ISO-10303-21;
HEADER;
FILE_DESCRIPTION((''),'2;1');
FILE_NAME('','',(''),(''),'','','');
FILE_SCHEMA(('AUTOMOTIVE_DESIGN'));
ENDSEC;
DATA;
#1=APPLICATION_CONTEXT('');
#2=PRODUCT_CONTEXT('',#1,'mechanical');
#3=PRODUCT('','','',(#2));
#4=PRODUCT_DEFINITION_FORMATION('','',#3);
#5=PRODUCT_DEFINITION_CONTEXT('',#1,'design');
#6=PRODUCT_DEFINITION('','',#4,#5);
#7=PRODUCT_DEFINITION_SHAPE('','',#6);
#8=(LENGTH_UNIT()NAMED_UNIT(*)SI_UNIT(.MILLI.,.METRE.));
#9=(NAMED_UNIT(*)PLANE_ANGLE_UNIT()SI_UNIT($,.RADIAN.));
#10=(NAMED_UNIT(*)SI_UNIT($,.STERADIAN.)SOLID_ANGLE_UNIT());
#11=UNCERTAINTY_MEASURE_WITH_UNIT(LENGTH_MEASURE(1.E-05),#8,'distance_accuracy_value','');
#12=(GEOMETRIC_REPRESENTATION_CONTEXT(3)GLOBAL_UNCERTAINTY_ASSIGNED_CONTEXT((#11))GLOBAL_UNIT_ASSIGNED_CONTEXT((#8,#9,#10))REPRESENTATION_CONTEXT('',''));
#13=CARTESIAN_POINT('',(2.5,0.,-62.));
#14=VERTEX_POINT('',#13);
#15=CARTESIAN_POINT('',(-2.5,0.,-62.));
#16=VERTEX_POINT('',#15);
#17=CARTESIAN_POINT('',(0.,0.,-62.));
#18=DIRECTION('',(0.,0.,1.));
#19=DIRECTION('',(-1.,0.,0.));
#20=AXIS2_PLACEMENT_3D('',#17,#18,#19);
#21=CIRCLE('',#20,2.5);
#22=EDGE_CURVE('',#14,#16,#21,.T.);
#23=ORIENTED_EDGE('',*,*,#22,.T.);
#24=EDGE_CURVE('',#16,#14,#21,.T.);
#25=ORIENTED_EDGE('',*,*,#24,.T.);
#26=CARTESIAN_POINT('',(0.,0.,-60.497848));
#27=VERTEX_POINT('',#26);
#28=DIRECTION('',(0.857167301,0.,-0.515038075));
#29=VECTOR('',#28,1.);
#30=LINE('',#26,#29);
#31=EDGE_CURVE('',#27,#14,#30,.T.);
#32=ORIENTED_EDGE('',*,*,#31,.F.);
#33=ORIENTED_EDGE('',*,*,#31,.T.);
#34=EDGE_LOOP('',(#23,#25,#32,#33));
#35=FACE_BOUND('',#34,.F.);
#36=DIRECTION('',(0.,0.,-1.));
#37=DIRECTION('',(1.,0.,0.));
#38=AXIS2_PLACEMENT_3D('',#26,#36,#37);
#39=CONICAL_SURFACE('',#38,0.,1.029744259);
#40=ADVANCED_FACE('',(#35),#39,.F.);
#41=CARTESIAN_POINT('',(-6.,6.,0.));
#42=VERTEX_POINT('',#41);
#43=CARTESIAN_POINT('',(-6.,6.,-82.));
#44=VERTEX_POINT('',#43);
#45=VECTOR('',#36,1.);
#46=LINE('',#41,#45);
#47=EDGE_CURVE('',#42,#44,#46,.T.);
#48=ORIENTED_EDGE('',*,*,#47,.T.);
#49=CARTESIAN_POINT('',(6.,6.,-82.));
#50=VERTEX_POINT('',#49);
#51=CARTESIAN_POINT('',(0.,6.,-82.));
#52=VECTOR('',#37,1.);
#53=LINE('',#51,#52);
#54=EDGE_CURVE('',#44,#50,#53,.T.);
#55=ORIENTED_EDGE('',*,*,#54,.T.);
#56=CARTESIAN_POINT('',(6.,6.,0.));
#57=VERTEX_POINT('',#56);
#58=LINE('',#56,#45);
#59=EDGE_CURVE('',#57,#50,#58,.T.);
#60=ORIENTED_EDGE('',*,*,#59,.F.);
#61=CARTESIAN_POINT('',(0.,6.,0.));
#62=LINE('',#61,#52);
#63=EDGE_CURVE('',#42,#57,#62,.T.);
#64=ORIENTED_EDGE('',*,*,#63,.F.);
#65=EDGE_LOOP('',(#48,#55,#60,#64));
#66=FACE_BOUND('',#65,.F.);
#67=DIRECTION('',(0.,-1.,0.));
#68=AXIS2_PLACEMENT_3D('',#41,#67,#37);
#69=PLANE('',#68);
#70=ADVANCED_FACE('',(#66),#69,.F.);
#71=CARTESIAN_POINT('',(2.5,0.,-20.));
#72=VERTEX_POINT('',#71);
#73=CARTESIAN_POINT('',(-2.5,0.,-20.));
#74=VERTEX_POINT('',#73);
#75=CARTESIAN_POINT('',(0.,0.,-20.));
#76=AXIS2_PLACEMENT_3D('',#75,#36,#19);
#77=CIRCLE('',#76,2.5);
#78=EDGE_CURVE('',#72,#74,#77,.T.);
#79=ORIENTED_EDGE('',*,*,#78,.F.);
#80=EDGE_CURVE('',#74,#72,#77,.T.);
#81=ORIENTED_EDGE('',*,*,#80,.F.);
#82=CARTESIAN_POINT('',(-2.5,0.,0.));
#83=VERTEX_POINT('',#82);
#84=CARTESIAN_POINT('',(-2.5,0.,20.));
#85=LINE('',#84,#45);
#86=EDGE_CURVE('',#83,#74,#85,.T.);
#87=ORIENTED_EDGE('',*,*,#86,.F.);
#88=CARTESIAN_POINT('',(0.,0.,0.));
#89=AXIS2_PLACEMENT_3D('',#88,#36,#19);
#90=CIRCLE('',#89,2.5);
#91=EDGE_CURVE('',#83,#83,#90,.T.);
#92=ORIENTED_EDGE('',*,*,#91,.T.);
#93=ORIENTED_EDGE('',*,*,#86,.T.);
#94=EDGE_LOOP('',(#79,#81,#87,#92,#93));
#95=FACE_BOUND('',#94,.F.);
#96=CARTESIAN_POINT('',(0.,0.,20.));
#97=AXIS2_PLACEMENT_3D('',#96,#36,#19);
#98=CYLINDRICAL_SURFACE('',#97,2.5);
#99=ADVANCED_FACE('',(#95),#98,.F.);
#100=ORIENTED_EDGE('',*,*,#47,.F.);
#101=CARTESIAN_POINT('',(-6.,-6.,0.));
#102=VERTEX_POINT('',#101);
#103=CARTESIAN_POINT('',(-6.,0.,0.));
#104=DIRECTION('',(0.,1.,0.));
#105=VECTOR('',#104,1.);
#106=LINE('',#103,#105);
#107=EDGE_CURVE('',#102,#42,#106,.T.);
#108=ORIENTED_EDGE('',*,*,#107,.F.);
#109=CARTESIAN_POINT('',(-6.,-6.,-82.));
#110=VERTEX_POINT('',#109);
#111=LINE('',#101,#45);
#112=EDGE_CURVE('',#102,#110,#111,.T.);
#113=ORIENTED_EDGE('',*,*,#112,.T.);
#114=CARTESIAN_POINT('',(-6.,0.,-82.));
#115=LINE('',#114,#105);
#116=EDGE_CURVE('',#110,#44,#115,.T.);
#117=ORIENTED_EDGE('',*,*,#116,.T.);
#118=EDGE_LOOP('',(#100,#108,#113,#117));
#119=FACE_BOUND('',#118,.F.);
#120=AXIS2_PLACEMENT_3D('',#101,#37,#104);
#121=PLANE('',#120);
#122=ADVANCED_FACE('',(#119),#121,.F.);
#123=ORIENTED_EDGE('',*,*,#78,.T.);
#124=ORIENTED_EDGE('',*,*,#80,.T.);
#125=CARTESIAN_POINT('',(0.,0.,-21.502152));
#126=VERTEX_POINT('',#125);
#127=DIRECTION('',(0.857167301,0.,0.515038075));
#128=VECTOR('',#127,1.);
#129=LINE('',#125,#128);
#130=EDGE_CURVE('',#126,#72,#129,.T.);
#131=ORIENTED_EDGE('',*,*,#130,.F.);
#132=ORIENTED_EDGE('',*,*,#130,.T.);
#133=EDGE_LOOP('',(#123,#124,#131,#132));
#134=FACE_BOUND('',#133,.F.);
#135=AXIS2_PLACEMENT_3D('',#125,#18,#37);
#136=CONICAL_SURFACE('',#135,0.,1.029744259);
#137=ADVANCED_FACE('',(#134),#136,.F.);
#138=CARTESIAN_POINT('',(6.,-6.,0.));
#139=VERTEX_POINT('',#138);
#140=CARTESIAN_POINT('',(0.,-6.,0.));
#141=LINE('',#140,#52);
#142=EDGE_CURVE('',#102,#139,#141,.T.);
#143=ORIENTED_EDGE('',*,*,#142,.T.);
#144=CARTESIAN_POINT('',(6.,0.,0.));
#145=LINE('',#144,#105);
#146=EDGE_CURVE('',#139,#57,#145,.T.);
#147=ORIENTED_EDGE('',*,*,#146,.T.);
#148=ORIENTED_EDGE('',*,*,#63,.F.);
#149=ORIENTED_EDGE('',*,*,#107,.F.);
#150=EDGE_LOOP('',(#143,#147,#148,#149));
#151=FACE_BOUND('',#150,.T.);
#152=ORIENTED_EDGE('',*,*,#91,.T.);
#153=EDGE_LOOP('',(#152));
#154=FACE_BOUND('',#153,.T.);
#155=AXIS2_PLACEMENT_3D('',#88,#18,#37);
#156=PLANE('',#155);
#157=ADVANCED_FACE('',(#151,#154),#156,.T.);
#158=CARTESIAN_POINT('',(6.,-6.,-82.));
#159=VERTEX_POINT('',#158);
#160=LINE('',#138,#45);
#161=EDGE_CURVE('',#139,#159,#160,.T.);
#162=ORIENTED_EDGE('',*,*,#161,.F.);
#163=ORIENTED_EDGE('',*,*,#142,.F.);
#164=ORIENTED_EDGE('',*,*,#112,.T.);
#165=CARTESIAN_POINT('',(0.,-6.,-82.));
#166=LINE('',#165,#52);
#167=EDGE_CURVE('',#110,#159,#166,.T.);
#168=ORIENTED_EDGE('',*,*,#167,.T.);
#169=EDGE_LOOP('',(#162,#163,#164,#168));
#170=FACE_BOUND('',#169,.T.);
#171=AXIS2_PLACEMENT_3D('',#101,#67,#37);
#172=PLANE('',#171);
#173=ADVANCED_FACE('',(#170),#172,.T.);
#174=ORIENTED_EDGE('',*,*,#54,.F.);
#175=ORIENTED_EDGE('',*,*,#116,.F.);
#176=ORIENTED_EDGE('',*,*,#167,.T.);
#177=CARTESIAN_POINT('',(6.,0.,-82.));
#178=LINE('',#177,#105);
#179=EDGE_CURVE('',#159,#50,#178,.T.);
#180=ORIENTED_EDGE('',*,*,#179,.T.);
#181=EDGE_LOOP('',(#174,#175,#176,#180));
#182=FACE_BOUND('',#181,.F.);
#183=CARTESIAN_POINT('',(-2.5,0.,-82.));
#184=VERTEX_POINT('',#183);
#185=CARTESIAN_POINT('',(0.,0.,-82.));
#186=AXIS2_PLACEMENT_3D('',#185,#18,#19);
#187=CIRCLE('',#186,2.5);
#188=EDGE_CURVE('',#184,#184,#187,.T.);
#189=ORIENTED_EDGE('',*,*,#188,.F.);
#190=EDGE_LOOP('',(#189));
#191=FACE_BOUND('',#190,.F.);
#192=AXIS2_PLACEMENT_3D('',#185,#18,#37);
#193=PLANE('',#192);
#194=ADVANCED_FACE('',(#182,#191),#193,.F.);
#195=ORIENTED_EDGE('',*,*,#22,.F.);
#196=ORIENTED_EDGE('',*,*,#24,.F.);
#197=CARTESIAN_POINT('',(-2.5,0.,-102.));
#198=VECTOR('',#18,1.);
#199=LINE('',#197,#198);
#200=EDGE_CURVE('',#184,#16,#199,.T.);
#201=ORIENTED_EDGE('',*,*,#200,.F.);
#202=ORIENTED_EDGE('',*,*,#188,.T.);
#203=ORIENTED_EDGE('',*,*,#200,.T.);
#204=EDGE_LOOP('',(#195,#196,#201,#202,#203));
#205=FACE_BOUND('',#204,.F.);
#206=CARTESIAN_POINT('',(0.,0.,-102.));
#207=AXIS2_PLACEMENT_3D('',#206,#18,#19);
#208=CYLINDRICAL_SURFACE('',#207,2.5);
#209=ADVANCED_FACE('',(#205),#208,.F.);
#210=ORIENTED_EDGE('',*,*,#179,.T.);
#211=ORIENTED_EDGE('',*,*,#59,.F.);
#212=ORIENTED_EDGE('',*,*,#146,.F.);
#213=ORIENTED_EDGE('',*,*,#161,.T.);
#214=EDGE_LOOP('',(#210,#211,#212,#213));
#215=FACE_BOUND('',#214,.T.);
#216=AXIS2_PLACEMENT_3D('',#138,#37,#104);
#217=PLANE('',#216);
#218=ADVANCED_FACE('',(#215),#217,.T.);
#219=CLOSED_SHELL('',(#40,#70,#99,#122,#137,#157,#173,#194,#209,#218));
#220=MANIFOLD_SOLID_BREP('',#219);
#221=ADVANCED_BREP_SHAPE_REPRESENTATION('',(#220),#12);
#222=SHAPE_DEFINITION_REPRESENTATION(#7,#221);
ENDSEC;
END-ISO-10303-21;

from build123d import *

# Parameters (mm, degrees)
F0_W     = 12
F0_H     = 12
F1_DEPTH = 82
F3_D     = 5
F3_DEPTH = 20
F3_TIP   = 1.5021515476
F5_D     = 5
F5_DEPTH = 20
F5_TIP   = 1.5021515476


with BuildPart() as f1:
    # F0 (on Top) → F1 (new body)
    with BuildSketch(Plane.XY):
        Rectangle(F0_W, F0_H)
    extrude(amount=-F1_DEPTH)

    # F3
    with Locations(Plane.XY):
        with Locations((0, 0)):
            Hole(F3_D / 2, depth=F3_DEPTH)
            with Locations((0, 0, -(F3_DEPTH + F3_TIP / 2))):  # 118° drill point
                Cone(0, F3_D / 2, F3_TIP, mode=Mode.SUBTRACT)

    # F5
    with Locations(Plane(origin=(0, 0, -82), x_dir=(1, 0, 0), z_dir=(0, 0, -1))):
        with Locations((0, 0)):
            Hole(F5_D / 2, depth=F5_DEPTH)
            with Locations((0, 0, -(F5_DEPTH + F5_TIP / 2))):  # 118° drill point
                Cone(0, F5_D / 2, F5_TIP, mode=Mode.SUBTRACT)


solid = f1.part
